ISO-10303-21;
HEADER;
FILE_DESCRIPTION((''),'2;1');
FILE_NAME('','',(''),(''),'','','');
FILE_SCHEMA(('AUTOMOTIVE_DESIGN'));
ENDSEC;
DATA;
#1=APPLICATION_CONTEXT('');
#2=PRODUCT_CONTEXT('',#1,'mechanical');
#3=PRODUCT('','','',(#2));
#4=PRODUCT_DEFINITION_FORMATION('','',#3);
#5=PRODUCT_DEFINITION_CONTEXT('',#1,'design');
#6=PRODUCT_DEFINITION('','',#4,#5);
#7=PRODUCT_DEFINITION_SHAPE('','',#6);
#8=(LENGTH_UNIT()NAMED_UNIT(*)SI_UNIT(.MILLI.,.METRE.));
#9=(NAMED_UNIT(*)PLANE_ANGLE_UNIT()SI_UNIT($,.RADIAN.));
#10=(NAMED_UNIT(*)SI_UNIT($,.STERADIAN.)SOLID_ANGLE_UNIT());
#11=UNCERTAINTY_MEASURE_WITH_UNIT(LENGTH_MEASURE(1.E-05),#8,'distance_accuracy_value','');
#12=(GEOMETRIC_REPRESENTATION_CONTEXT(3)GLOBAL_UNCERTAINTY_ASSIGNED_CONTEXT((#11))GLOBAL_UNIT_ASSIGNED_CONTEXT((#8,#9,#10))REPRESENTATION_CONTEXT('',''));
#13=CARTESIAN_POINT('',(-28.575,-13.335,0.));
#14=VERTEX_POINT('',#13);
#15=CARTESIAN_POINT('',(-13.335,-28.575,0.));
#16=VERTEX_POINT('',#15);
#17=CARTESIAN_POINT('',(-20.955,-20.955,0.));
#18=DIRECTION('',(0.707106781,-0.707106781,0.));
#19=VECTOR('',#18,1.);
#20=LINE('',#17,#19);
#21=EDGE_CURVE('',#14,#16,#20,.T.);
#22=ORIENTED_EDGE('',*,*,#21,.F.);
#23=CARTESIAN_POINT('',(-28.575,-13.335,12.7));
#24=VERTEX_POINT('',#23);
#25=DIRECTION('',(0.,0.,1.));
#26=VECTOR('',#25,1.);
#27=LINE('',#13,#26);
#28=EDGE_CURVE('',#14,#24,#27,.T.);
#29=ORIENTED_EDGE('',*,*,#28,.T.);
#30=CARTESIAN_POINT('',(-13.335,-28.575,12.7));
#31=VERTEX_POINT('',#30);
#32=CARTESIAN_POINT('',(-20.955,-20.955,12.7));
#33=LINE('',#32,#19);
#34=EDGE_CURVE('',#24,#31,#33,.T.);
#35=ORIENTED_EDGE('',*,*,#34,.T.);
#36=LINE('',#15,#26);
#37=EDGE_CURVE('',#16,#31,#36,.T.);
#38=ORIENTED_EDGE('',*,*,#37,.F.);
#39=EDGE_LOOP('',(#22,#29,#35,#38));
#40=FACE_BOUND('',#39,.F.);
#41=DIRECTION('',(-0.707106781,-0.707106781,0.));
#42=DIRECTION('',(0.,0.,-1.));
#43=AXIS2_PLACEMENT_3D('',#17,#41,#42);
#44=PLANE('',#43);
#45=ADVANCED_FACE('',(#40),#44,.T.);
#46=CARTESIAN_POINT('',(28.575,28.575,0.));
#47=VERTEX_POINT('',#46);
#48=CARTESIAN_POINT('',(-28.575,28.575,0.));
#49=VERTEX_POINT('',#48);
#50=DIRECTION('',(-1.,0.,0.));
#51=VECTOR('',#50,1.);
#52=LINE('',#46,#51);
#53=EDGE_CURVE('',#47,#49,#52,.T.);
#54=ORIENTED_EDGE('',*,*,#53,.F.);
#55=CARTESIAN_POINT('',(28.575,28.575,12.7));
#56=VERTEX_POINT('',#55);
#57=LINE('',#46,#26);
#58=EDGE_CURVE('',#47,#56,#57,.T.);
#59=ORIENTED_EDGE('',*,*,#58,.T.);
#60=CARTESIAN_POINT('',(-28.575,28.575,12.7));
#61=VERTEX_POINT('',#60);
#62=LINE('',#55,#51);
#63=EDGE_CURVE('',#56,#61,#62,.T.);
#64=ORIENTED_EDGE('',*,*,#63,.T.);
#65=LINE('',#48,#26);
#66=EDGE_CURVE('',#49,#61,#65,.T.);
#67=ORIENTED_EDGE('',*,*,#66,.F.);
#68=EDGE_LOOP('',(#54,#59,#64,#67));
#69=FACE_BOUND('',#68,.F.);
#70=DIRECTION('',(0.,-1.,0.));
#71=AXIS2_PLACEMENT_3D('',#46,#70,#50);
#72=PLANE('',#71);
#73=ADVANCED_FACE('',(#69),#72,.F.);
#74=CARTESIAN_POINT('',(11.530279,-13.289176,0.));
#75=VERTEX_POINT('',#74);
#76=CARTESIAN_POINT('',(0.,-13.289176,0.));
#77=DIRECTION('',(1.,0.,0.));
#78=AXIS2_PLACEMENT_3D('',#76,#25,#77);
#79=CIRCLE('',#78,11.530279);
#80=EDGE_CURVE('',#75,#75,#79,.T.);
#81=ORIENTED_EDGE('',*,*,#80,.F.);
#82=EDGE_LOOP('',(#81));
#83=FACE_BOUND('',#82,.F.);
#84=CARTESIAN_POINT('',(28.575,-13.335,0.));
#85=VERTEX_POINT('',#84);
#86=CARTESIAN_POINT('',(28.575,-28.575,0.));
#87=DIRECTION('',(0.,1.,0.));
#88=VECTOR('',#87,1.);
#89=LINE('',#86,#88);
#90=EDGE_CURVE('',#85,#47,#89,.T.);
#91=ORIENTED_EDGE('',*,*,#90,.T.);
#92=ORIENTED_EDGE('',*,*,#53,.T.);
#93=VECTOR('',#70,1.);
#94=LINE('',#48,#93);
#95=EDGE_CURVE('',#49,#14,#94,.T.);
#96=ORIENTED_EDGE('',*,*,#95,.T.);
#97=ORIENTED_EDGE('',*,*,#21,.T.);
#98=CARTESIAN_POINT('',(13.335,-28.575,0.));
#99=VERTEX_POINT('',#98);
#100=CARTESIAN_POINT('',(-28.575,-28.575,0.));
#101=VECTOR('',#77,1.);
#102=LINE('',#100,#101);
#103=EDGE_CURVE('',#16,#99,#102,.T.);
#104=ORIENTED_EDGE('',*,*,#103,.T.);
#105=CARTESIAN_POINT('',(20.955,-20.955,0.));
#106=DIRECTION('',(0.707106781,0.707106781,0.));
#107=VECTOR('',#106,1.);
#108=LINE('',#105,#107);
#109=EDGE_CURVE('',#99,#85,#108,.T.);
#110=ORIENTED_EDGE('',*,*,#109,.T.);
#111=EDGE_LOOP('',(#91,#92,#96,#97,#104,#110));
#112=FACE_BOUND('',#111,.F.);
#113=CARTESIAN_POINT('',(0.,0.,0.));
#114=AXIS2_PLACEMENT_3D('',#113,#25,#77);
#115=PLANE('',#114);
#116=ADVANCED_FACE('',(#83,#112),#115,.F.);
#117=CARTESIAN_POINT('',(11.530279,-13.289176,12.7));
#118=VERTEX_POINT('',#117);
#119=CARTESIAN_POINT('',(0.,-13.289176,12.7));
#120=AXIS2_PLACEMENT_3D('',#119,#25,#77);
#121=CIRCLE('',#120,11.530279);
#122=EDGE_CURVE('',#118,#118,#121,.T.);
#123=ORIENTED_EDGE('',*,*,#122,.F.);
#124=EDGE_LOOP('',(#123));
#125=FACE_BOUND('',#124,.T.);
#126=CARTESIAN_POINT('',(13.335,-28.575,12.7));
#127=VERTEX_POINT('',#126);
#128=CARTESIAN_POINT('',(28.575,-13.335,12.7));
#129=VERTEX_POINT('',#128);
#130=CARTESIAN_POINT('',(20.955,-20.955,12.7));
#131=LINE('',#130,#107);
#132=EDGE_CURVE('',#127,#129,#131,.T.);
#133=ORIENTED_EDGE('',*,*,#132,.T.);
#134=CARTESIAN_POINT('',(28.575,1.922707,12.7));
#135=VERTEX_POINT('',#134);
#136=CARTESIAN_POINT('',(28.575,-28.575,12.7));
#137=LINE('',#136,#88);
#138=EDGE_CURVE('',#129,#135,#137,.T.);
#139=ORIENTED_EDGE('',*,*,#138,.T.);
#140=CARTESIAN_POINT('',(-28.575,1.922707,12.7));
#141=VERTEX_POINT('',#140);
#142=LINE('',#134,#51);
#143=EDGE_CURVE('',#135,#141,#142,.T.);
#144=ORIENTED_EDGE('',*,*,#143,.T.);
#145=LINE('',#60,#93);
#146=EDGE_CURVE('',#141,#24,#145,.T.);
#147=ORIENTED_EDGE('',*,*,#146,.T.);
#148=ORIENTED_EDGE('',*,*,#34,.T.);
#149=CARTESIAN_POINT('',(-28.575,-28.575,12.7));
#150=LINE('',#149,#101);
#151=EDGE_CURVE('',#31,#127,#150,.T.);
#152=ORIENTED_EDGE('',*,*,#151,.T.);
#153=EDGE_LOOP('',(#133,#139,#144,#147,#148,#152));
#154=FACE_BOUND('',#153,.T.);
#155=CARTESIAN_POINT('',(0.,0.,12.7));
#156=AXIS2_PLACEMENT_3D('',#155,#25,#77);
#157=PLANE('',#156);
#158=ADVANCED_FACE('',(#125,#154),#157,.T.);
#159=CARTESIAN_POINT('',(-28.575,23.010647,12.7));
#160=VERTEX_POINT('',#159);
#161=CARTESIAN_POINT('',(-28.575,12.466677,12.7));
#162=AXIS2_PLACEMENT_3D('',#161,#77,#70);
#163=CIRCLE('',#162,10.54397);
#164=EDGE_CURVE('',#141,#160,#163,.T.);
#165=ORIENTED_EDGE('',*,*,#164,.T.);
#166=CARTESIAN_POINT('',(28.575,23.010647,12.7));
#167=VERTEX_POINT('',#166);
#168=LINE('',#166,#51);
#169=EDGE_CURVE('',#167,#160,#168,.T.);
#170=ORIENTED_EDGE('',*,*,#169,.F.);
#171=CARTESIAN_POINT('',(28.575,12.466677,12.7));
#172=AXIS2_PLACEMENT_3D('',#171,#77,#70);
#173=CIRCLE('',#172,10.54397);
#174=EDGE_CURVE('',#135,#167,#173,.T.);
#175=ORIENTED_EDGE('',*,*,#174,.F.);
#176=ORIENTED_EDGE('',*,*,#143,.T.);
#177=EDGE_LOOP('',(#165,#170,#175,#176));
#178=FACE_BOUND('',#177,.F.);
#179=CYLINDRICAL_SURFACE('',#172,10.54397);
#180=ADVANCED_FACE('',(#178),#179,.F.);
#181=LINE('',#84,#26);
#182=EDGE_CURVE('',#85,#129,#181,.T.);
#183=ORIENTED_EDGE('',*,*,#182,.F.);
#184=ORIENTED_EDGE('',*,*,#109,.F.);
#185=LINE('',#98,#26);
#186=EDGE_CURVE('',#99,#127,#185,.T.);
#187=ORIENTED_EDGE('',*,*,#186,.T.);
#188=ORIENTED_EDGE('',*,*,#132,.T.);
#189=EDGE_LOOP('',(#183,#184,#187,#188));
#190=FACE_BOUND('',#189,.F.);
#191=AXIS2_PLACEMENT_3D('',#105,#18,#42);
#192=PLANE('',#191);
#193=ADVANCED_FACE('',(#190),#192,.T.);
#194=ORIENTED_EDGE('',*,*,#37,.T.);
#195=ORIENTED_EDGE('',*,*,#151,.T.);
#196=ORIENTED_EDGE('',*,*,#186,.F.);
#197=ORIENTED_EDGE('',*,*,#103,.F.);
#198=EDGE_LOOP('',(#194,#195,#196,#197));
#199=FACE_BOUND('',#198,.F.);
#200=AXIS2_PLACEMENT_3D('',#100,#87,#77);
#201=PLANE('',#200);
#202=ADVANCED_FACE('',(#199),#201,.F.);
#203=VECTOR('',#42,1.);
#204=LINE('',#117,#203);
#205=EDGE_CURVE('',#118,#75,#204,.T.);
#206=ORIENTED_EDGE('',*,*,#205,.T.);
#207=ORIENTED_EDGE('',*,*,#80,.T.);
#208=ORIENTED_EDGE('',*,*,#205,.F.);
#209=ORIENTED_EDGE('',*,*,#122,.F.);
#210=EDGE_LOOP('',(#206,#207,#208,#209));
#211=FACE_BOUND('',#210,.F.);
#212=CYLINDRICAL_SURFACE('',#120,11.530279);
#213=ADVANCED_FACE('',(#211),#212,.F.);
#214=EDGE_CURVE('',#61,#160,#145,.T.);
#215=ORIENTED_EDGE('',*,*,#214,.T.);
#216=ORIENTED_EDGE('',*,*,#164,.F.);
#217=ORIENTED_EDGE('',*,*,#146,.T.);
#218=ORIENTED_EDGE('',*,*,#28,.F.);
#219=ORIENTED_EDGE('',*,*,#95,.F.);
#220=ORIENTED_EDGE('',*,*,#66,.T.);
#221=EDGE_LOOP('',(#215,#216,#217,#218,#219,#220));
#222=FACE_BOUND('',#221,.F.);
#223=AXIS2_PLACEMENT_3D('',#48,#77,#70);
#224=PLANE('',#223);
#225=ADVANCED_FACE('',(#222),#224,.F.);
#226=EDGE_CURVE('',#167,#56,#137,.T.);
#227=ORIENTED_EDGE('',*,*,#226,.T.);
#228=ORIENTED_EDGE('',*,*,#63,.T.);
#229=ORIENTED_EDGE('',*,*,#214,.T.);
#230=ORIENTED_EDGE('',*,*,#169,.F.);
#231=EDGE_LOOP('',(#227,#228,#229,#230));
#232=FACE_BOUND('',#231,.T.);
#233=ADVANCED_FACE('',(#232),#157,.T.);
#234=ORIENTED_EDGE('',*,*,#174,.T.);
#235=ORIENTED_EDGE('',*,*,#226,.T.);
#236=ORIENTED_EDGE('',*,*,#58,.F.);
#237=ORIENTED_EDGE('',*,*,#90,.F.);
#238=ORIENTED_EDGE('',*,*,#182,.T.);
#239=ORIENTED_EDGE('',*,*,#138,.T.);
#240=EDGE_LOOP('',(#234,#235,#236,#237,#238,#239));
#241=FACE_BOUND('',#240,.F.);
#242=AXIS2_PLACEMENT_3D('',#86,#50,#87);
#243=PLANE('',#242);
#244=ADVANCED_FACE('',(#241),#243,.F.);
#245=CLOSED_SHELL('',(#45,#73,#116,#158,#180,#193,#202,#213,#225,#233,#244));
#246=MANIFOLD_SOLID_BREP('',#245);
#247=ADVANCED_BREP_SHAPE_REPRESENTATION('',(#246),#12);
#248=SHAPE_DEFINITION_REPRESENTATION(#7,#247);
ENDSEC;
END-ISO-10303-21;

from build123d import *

# Parameters (mm, degrees)
F1_DEPTH = 12.7
F2_SIZE  = 15.24
F3_R     = 11.530279
F4_DEPTH = 12.7
F6_DEPTH = 63.5


with BuildPart() as f1:
    # F0 (on Top) → F1 (new body)
    with BuildSketch(Plane.XY):
        Polygon((28.575, 28.575), (0, 28.575), (-28.575, 28.575), (-28.575, 0), (-28.575, -28.575), (0, -28.575), (28.575, -28.575), (28.575, 0), align=None)
    extrude(amount=F1_DEPTH)

    # F2
    f2_edges = [f1.edges().sort_by_distance(p)[0] for p in [
        (28.575, -28.575, 6.35),
        (-28.575, -28.575, 6.35),
    ]]
    chamfer(f2_edges, length=F2_SIZE)

    # F3 (on face) → F4 (cut)
    with BuildSketch(Plane.XY.offset(12.7)):
        with Locations((0, -13.289176)):
            Circle(F3_R)
    extrude(amount=-F4_DEPTH, mode=Mode.SUBTRACT)

    # F5 (on face) → F6 (cut)
    with BuildSketch(Plane.YZ.offset(28.575)):
        with BuildLine():
            Line((23.010647, 12.7), (1.922707, 12.7))
            ThreePointArc((1.922707, 12.7), (12.466677, 2.15603), (23.010647, 12.7))
        make_face()
    extrude(amount=-F6_DEPTH, mode=Mode.SUBTRACT)


solid = f1.part
